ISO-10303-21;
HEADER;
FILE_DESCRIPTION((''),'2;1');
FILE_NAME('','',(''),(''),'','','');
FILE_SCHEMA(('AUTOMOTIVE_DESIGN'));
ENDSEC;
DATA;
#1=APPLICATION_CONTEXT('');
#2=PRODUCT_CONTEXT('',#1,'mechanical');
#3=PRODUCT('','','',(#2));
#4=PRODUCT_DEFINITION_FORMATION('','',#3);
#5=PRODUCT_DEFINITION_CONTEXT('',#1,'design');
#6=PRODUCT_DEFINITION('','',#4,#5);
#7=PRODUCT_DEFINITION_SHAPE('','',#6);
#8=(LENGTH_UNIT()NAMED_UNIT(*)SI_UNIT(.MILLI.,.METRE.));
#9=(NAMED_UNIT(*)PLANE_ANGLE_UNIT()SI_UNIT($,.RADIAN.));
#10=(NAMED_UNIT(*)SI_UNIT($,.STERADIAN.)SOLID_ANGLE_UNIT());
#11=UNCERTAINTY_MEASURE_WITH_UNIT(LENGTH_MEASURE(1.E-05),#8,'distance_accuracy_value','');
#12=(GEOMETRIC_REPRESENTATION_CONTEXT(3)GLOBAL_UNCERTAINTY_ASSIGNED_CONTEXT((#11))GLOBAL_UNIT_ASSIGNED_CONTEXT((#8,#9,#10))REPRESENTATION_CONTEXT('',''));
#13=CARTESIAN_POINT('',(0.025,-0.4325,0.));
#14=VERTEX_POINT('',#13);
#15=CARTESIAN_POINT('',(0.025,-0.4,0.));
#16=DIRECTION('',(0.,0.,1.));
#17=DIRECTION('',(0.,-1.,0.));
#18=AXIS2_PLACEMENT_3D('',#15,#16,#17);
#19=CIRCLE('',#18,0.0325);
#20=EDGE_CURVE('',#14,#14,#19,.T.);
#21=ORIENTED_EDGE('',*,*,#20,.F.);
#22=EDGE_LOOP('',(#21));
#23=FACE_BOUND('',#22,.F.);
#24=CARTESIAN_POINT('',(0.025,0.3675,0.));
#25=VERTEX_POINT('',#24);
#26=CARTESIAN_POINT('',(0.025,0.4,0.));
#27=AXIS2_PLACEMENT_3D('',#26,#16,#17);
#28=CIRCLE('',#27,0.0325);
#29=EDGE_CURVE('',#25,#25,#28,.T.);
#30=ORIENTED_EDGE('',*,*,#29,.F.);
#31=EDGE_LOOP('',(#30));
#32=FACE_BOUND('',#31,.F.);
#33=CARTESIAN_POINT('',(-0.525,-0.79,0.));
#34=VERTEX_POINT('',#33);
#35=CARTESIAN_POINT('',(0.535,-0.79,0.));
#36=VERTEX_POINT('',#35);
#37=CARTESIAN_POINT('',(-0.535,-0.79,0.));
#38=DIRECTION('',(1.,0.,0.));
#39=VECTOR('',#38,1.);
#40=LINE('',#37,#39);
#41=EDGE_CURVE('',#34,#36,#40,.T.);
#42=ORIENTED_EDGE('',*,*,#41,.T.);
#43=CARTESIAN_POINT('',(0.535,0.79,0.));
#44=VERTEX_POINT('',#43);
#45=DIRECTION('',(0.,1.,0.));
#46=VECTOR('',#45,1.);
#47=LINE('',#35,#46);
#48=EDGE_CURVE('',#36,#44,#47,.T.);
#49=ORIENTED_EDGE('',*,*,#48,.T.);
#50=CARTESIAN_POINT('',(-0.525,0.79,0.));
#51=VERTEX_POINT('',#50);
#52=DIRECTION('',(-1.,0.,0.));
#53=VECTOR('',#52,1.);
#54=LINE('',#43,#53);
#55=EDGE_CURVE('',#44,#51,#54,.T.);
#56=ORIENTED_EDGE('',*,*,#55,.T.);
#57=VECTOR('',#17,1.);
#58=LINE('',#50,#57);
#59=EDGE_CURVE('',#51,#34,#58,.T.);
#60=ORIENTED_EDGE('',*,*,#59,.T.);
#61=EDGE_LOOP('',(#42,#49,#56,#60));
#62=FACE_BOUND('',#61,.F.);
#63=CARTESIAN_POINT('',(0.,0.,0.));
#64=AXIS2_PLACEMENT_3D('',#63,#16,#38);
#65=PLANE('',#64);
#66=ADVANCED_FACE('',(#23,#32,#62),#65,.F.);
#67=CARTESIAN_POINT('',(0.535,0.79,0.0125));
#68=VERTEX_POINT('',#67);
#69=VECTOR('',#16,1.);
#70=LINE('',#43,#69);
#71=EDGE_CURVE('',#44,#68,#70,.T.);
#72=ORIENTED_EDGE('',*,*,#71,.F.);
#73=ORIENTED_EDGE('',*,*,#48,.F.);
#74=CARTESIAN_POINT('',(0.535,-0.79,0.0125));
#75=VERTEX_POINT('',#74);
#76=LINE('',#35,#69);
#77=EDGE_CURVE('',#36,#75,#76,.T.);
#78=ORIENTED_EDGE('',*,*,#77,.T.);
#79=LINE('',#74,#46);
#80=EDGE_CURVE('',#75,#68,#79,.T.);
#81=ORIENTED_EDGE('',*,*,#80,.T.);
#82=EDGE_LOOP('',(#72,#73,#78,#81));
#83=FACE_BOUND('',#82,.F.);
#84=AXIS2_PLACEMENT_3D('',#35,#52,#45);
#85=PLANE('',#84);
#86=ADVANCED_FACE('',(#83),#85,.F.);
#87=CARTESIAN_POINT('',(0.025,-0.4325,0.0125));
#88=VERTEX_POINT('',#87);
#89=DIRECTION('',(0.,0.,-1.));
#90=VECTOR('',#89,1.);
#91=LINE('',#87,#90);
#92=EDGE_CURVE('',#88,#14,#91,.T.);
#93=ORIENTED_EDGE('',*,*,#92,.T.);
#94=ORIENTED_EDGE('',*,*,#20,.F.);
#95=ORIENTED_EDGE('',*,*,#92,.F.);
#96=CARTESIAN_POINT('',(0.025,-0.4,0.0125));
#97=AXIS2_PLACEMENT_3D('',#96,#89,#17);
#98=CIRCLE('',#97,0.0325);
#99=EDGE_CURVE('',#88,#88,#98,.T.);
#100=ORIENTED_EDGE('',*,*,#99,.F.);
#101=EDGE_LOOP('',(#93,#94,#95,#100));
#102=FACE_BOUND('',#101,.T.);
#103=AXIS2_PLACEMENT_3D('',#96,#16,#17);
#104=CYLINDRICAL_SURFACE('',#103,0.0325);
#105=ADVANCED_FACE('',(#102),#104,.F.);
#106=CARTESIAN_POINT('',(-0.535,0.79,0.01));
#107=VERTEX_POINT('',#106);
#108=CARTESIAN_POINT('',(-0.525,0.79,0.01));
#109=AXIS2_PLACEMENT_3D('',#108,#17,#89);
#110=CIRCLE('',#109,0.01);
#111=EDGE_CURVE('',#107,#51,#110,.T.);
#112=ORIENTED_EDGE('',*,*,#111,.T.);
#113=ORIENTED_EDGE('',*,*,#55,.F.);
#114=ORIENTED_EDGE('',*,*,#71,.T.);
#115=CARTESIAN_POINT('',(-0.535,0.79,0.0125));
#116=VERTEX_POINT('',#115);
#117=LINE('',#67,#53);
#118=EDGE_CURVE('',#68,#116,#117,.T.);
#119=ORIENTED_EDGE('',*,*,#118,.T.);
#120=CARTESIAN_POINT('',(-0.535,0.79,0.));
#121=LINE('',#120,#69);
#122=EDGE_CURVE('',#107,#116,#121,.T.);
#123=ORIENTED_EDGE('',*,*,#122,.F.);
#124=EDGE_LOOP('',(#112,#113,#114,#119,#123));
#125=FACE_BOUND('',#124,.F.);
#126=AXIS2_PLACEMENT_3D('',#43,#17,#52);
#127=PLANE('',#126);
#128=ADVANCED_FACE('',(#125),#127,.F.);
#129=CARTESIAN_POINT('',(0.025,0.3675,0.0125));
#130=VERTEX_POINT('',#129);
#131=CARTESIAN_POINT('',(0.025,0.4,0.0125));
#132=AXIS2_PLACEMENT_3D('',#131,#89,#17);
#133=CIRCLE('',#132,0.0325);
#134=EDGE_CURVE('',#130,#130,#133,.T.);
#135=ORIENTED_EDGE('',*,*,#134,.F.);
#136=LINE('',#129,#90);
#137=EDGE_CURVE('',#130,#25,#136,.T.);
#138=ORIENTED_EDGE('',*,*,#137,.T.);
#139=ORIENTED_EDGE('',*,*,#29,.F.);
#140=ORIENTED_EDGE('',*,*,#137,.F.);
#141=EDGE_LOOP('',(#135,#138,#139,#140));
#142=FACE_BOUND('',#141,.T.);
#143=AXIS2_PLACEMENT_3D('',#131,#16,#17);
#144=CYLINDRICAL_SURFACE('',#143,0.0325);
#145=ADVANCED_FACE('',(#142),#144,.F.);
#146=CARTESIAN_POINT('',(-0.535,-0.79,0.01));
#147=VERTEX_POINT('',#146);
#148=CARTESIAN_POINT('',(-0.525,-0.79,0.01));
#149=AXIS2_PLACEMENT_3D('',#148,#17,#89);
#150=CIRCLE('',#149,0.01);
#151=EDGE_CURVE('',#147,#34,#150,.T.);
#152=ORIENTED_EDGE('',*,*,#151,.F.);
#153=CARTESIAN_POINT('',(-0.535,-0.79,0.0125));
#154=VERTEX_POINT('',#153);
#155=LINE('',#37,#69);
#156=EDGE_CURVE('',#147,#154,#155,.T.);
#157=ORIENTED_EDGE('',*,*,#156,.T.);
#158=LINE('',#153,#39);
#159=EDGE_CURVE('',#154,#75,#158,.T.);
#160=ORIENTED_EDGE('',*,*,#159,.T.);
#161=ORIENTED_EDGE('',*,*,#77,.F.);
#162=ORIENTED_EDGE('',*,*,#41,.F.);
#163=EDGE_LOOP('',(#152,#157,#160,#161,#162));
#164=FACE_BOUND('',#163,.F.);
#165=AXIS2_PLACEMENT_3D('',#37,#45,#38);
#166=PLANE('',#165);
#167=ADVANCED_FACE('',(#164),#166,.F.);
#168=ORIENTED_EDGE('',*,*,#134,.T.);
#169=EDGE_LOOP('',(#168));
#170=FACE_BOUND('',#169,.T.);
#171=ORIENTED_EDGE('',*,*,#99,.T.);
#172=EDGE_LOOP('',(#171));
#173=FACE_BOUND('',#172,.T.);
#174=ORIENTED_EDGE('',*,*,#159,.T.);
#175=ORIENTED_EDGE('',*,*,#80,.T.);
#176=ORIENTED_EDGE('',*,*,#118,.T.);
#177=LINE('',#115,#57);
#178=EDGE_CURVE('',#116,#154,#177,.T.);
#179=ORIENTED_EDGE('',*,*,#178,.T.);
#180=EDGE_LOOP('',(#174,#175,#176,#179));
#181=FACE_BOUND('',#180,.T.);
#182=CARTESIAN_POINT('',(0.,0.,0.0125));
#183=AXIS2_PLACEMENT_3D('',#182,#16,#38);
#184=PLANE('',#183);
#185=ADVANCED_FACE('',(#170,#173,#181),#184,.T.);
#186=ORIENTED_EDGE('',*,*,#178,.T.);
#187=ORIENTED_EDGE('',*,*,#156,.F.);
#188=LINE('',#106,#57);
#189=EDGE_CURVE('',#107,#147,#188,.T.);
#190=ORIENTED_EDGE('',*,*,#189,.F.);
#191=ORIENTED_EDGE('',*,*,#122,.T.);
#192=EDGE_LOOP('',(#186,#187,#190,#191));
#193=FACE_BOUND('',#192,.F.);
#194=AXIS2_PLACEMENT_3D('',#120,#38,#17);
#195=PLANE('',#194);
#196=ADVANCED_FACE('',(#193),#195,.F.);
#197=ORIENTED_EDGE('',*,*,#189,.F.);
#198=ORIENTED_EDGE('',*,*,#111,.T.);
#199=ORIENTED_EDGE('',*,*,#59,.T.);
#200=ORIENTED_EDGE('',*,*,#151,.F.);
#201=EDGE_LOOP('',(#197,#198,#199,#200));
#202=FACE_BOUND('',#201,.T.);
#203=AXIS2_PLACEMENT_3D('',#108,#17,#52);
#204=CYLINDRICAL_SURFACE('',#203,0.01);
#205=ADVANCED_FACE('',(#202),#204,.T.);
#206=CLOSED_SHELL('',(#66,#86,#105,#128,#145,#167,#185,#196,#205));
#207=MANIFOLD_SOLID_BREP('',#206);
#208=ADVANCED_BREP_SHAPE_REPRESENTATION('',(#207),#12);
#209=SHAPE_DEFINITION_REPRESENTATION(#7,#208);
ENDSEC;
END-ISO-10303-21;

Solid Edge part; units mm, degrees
sketch "Sketch1" plane through (0, 0, 0) normal (0, 0, 1) x (1, 0, 0)
  line L0 (-0.535, -0.79) -> (0.535, -0.79)
  line L1 (0.535, -0.79) -> (0.535, 0.79)
  line L2 (0.535, 0.79) -> (-0.535, 0.79)
  line L3 (-0.535, 0.79) -> (-0.535, -0.79)
  dimension "D1" = 1.07
  dimension "D2" = 1.58
extrude "Protrusion1" add sketch "Sketch1" along normal blind 0.0125
fillet "Verrundung_1" radius 0.01 1 edges at (-0.535, 0, 0)
hole "Bohrung_1" at (0.025, -0.4, 0.0125) direction (0, 0, -1) diameter 0.065 end through all
hole "Hole1" at (0.025, 0.4, 0.0125) direction (0, 0, -1) diameter 0.065 end through all
